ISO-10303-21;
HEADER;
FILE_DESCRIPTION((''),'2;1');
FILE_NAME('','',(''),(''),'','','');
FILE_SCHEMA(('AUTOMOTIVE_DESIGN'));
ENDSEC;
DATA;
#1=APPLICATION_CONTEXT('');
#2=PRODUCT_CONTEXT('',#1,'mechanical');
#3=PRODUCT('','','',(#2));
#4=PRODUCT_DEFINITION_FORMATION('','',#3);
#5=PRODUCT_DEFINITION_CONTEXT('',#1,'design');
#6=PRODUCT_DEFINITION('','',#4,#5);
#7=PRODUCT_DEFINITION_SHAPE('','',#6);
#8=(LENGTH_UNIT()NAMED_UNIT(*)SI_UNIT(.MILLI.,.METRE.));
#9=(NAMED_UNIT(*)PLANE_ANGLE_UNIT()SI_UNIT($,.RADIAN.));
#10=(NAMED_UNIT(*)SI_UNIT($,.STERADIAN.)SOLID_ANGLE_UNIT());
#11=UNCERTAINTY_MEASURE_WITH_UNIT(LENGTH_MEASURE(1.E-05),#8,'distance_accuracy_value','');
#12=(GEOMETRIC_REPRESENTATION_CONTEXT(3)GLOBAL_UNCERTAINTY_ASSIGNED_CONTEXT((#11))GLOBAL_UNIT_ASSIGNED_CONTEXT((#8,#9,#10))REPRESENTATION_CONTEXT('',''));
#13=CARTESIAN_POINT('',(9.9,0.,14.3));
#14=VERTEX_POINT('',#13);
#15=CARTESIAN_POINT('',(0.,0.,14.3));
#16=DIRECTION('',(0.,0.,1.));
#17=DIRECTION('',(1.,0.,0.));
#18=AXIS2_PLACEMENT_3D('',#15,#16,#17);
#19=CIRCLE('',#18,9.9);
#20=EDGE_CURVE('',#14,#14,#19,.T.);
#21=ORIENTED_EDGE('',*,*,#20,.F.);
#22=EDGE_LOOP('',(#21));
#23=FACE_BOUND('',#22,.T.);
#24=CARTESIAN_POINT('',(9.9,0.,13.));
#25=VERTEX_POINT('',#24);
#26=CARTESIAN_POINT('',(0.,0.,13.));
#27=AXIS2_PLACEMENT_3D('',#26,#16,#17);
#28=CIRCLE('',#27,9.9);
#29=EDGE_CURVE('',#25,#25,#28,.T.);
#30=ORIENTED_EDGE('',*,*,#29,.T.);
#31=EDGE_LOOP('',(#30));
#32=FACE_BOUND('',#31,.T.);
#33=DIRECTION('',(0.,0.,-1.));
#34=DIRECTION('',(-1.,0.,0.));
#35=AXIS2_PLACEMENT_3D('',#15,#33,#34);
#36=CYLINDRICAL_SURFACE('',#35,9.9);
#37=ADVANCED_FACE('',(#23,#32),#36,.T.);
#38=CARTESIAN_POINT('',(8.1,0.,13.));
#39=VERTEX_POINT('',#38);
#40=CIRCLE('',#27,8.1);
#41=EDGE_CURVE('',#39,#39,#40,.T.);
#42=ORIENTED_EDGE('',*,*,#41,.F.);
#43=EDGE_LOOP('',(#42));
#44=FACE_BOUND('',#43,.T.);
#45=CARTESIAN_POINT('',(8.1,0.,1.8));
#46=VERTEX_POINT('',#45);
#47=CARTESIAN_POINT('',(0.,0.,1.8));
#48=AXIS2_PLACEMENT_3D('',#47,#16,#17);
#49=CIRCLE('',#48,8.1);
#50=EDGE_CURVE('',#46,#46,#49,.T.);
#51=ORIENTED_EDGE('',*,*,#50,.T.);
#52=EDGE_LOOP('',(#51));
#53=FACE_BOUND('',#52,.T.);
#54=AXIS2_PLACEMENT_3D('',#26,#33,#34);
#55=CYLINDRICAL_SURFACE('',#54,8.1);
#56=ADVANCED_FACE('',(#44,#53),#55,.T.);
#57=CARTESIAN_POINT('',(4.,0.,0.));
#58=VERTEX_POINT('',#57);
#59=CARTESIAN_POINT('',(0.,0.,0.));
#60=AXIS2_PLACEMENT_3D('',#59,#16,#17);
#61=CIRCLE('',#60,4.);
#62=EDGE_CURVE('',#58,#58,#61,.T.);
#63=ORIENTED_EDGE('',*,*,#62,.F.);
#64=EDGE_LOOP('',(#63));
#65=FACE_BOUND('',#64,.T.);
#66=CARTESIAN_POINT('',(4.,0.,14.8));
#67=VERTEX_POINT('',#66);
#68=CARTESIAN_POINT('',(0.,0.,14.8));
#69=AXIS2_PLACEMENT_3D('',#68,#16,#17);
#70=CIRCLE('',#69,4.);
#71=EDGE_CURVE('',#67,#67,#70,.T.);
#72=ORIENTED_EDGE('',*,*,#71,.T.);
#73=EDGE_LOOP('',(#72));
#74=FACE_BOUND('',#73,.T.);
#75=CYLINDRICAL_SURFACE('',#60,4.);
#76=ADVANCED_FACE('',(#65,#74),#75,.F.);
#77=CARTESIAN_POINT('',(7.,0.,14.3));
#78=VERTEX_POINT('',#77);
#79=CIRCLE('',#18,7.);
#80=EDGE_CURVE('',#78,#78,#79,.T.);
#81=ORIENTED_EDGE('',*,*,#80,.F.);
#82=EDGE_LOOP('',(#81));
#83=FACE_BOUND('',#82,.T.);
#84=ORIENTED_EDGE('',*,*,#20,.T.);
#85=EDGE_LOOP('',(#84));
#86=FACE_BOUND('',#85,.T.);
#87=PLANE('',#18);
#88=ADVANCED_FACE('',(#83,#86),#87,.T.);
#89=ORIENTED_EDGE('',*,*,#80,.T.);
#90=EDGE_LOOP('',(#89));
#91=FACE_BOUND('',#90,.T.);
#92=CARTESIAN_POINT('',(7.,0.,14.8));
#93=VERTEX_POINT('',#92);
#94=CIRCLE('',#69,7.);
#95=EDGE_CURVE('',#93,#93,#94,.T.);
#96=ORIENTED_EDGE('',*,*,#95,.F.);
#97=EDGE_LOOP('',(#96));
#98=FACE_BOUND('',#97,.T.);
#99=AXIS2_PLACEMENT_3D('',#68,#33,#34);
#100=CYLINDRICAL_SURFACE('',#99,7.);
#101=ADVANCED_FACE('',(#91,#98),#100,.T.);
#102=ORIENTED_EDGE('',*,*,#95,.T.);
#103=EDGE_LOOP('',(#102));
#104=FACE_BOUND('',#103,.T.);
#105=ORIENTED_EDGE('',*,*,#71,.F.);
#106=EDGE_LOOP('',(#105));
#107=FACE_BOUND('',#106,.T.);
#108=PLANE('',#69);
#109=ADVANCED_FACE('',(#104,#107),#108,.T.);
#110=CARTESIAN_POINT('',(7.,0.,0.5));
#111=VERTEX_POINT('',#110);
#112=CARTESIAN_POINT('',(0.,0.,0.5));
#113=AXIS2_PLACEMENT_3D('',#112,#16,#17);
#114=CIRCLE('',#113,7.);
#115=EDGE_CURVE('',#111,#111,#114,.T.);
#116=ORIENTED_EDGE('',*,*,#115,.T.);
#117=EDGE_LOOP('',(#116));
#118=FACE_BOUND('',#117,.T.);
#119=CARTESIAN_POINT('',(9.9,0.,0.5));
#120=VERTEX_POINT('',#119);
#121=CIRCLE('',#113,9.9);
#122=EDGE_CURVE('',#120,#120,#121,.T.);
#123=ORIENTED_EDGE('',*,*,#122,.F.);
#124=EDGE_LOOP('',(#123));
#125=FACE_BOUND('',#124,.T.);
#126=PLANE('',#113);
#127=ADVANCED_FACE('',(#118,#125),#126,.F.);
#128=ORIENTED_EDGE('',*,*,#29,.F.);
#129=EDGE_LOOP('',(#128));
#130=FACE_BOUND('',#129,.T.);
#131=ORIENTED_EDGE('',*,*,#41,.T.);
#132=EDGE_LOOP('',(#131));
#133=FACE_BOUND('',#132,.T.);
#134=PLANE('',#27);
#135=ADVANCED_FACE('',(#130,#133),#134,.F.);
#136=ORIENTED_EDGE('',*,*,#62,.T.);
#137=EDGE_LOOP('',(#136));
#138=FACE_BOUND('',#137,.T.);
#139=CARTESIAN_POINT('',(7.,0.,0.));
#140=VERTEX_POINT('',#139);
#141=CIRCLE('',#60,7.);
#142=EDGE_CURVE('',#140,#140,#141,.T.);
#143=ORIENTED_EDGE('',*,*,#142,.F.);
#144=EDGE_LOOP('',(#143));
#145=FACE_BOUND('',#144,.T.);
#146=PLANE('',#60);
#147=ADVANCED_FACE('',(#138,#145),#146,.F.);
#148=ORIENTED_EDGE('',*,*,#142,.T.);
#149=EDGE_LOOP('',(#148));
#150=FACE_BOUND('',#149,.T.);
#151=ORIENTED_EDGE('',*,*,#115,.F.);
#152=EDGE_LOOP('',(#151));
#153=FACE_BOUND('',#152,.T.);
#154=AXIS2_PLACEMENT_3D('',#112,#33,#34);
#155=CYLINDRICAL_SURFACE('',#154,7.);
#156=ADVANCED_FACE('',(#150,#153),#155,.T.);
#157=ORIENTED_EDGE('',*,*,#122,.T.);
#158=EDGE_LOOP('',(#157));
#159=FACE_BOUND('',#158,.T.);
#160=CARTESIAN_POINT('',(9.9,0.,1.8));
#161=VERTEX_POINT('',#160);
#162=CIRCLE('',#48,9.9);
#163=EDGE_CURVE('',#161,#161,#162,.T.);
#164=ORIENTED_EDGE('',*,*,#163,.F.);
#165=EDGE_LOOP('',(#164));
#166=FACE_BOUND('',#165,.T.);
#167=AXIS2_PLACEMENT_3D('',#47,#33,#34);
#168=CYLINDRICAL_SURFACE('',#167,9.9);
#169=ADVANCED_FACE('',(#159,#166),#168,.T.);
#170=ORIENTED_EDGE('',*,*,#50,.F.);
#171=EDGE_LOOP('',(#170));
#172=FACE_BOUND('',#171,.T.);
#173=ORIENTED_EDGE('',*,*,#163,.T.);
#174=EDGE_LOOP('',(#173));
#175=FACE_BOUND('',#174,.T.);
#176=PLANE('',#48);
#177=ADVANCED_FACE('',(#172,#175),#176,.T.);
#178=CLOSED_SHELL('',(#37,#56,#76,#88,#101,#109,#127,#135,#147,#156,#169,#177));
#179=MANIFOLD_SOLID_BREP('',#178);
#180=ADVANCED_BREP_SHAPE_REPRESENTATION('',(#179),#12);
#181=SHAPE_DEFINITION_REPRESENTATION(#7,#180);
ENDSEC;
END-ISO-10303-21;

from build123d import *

# Parameters (mm, degrees)
SKETCH1_R           = 7
BOSS_EXTRUDE1_DEPTH = 0.5
SKETCH2_R           = 9.9
BOSS_EXTRUDE2_DEPTH = 1.3
SKETCH3_R           = 8.1
BOSS_EXTRUDE3_DEPTH = 11.2
SKETCH4_R           = 9.9
BOSS_EXTRUDE4_DEPTH = 1.3
SKETCH5_R           = 7
BOSS_EXTRUDE5_DEPTH = 0.5
SKETCH6_R           = 4
CUT_EXTRUDE1_DEPTH  = 21.373021376


with BuildPart() as part:
    # Sketch1 → Boss-Extrude1 (new body)
    with BuildSketch(Plane.XY):
        Circle(SKETCH1_R)
    extrude(amount=BOSS_EXTRUDE1_DEPTH)

    # Sketch2 → Boss-Extrude2 (add)
    with BuildSketch(Plane.XY.offset(0.5)):
        Circle(SKETCH2_R)
    extrude(amount=BOSS_EXTRUDE2_DEPTH)

    # Sketch3 → Boss-Extrude3 (add)
    with BuildSketch(Plane.XY.offset(1.8)):
        Circle(SKETCH3_R)
    extrude(amount=BOSS_EXTRUDE3_DEPTH)

    # Sketch4 → Boss-Extrude4 (add)
    with BuildSketch(Plane.XY.offset(13)):
        Circle(SKETCH4_R)
    extrude(amount=BOSS_EXTRUDE4_DEPTH)

    # Sketch5 → Boss-Extrude5 (add)
    with BuildSketch(Plane.XY.offset(14.3)):
        Circle(SKETCH5_R)
    extrude(amount=BOSS_EXTRUDE5_DEPTH)

    # Sketch6 → Cut-Extrude1 (cut, through all)
    with BuildSketch(Plane.XY.offset(14.8)):
        Circle(SKETCH6_R)
    extrude(amount=-CUT_EXTRUDE1_DEPTH, mode=Mode.SUBTRACT)


solid = part.part
